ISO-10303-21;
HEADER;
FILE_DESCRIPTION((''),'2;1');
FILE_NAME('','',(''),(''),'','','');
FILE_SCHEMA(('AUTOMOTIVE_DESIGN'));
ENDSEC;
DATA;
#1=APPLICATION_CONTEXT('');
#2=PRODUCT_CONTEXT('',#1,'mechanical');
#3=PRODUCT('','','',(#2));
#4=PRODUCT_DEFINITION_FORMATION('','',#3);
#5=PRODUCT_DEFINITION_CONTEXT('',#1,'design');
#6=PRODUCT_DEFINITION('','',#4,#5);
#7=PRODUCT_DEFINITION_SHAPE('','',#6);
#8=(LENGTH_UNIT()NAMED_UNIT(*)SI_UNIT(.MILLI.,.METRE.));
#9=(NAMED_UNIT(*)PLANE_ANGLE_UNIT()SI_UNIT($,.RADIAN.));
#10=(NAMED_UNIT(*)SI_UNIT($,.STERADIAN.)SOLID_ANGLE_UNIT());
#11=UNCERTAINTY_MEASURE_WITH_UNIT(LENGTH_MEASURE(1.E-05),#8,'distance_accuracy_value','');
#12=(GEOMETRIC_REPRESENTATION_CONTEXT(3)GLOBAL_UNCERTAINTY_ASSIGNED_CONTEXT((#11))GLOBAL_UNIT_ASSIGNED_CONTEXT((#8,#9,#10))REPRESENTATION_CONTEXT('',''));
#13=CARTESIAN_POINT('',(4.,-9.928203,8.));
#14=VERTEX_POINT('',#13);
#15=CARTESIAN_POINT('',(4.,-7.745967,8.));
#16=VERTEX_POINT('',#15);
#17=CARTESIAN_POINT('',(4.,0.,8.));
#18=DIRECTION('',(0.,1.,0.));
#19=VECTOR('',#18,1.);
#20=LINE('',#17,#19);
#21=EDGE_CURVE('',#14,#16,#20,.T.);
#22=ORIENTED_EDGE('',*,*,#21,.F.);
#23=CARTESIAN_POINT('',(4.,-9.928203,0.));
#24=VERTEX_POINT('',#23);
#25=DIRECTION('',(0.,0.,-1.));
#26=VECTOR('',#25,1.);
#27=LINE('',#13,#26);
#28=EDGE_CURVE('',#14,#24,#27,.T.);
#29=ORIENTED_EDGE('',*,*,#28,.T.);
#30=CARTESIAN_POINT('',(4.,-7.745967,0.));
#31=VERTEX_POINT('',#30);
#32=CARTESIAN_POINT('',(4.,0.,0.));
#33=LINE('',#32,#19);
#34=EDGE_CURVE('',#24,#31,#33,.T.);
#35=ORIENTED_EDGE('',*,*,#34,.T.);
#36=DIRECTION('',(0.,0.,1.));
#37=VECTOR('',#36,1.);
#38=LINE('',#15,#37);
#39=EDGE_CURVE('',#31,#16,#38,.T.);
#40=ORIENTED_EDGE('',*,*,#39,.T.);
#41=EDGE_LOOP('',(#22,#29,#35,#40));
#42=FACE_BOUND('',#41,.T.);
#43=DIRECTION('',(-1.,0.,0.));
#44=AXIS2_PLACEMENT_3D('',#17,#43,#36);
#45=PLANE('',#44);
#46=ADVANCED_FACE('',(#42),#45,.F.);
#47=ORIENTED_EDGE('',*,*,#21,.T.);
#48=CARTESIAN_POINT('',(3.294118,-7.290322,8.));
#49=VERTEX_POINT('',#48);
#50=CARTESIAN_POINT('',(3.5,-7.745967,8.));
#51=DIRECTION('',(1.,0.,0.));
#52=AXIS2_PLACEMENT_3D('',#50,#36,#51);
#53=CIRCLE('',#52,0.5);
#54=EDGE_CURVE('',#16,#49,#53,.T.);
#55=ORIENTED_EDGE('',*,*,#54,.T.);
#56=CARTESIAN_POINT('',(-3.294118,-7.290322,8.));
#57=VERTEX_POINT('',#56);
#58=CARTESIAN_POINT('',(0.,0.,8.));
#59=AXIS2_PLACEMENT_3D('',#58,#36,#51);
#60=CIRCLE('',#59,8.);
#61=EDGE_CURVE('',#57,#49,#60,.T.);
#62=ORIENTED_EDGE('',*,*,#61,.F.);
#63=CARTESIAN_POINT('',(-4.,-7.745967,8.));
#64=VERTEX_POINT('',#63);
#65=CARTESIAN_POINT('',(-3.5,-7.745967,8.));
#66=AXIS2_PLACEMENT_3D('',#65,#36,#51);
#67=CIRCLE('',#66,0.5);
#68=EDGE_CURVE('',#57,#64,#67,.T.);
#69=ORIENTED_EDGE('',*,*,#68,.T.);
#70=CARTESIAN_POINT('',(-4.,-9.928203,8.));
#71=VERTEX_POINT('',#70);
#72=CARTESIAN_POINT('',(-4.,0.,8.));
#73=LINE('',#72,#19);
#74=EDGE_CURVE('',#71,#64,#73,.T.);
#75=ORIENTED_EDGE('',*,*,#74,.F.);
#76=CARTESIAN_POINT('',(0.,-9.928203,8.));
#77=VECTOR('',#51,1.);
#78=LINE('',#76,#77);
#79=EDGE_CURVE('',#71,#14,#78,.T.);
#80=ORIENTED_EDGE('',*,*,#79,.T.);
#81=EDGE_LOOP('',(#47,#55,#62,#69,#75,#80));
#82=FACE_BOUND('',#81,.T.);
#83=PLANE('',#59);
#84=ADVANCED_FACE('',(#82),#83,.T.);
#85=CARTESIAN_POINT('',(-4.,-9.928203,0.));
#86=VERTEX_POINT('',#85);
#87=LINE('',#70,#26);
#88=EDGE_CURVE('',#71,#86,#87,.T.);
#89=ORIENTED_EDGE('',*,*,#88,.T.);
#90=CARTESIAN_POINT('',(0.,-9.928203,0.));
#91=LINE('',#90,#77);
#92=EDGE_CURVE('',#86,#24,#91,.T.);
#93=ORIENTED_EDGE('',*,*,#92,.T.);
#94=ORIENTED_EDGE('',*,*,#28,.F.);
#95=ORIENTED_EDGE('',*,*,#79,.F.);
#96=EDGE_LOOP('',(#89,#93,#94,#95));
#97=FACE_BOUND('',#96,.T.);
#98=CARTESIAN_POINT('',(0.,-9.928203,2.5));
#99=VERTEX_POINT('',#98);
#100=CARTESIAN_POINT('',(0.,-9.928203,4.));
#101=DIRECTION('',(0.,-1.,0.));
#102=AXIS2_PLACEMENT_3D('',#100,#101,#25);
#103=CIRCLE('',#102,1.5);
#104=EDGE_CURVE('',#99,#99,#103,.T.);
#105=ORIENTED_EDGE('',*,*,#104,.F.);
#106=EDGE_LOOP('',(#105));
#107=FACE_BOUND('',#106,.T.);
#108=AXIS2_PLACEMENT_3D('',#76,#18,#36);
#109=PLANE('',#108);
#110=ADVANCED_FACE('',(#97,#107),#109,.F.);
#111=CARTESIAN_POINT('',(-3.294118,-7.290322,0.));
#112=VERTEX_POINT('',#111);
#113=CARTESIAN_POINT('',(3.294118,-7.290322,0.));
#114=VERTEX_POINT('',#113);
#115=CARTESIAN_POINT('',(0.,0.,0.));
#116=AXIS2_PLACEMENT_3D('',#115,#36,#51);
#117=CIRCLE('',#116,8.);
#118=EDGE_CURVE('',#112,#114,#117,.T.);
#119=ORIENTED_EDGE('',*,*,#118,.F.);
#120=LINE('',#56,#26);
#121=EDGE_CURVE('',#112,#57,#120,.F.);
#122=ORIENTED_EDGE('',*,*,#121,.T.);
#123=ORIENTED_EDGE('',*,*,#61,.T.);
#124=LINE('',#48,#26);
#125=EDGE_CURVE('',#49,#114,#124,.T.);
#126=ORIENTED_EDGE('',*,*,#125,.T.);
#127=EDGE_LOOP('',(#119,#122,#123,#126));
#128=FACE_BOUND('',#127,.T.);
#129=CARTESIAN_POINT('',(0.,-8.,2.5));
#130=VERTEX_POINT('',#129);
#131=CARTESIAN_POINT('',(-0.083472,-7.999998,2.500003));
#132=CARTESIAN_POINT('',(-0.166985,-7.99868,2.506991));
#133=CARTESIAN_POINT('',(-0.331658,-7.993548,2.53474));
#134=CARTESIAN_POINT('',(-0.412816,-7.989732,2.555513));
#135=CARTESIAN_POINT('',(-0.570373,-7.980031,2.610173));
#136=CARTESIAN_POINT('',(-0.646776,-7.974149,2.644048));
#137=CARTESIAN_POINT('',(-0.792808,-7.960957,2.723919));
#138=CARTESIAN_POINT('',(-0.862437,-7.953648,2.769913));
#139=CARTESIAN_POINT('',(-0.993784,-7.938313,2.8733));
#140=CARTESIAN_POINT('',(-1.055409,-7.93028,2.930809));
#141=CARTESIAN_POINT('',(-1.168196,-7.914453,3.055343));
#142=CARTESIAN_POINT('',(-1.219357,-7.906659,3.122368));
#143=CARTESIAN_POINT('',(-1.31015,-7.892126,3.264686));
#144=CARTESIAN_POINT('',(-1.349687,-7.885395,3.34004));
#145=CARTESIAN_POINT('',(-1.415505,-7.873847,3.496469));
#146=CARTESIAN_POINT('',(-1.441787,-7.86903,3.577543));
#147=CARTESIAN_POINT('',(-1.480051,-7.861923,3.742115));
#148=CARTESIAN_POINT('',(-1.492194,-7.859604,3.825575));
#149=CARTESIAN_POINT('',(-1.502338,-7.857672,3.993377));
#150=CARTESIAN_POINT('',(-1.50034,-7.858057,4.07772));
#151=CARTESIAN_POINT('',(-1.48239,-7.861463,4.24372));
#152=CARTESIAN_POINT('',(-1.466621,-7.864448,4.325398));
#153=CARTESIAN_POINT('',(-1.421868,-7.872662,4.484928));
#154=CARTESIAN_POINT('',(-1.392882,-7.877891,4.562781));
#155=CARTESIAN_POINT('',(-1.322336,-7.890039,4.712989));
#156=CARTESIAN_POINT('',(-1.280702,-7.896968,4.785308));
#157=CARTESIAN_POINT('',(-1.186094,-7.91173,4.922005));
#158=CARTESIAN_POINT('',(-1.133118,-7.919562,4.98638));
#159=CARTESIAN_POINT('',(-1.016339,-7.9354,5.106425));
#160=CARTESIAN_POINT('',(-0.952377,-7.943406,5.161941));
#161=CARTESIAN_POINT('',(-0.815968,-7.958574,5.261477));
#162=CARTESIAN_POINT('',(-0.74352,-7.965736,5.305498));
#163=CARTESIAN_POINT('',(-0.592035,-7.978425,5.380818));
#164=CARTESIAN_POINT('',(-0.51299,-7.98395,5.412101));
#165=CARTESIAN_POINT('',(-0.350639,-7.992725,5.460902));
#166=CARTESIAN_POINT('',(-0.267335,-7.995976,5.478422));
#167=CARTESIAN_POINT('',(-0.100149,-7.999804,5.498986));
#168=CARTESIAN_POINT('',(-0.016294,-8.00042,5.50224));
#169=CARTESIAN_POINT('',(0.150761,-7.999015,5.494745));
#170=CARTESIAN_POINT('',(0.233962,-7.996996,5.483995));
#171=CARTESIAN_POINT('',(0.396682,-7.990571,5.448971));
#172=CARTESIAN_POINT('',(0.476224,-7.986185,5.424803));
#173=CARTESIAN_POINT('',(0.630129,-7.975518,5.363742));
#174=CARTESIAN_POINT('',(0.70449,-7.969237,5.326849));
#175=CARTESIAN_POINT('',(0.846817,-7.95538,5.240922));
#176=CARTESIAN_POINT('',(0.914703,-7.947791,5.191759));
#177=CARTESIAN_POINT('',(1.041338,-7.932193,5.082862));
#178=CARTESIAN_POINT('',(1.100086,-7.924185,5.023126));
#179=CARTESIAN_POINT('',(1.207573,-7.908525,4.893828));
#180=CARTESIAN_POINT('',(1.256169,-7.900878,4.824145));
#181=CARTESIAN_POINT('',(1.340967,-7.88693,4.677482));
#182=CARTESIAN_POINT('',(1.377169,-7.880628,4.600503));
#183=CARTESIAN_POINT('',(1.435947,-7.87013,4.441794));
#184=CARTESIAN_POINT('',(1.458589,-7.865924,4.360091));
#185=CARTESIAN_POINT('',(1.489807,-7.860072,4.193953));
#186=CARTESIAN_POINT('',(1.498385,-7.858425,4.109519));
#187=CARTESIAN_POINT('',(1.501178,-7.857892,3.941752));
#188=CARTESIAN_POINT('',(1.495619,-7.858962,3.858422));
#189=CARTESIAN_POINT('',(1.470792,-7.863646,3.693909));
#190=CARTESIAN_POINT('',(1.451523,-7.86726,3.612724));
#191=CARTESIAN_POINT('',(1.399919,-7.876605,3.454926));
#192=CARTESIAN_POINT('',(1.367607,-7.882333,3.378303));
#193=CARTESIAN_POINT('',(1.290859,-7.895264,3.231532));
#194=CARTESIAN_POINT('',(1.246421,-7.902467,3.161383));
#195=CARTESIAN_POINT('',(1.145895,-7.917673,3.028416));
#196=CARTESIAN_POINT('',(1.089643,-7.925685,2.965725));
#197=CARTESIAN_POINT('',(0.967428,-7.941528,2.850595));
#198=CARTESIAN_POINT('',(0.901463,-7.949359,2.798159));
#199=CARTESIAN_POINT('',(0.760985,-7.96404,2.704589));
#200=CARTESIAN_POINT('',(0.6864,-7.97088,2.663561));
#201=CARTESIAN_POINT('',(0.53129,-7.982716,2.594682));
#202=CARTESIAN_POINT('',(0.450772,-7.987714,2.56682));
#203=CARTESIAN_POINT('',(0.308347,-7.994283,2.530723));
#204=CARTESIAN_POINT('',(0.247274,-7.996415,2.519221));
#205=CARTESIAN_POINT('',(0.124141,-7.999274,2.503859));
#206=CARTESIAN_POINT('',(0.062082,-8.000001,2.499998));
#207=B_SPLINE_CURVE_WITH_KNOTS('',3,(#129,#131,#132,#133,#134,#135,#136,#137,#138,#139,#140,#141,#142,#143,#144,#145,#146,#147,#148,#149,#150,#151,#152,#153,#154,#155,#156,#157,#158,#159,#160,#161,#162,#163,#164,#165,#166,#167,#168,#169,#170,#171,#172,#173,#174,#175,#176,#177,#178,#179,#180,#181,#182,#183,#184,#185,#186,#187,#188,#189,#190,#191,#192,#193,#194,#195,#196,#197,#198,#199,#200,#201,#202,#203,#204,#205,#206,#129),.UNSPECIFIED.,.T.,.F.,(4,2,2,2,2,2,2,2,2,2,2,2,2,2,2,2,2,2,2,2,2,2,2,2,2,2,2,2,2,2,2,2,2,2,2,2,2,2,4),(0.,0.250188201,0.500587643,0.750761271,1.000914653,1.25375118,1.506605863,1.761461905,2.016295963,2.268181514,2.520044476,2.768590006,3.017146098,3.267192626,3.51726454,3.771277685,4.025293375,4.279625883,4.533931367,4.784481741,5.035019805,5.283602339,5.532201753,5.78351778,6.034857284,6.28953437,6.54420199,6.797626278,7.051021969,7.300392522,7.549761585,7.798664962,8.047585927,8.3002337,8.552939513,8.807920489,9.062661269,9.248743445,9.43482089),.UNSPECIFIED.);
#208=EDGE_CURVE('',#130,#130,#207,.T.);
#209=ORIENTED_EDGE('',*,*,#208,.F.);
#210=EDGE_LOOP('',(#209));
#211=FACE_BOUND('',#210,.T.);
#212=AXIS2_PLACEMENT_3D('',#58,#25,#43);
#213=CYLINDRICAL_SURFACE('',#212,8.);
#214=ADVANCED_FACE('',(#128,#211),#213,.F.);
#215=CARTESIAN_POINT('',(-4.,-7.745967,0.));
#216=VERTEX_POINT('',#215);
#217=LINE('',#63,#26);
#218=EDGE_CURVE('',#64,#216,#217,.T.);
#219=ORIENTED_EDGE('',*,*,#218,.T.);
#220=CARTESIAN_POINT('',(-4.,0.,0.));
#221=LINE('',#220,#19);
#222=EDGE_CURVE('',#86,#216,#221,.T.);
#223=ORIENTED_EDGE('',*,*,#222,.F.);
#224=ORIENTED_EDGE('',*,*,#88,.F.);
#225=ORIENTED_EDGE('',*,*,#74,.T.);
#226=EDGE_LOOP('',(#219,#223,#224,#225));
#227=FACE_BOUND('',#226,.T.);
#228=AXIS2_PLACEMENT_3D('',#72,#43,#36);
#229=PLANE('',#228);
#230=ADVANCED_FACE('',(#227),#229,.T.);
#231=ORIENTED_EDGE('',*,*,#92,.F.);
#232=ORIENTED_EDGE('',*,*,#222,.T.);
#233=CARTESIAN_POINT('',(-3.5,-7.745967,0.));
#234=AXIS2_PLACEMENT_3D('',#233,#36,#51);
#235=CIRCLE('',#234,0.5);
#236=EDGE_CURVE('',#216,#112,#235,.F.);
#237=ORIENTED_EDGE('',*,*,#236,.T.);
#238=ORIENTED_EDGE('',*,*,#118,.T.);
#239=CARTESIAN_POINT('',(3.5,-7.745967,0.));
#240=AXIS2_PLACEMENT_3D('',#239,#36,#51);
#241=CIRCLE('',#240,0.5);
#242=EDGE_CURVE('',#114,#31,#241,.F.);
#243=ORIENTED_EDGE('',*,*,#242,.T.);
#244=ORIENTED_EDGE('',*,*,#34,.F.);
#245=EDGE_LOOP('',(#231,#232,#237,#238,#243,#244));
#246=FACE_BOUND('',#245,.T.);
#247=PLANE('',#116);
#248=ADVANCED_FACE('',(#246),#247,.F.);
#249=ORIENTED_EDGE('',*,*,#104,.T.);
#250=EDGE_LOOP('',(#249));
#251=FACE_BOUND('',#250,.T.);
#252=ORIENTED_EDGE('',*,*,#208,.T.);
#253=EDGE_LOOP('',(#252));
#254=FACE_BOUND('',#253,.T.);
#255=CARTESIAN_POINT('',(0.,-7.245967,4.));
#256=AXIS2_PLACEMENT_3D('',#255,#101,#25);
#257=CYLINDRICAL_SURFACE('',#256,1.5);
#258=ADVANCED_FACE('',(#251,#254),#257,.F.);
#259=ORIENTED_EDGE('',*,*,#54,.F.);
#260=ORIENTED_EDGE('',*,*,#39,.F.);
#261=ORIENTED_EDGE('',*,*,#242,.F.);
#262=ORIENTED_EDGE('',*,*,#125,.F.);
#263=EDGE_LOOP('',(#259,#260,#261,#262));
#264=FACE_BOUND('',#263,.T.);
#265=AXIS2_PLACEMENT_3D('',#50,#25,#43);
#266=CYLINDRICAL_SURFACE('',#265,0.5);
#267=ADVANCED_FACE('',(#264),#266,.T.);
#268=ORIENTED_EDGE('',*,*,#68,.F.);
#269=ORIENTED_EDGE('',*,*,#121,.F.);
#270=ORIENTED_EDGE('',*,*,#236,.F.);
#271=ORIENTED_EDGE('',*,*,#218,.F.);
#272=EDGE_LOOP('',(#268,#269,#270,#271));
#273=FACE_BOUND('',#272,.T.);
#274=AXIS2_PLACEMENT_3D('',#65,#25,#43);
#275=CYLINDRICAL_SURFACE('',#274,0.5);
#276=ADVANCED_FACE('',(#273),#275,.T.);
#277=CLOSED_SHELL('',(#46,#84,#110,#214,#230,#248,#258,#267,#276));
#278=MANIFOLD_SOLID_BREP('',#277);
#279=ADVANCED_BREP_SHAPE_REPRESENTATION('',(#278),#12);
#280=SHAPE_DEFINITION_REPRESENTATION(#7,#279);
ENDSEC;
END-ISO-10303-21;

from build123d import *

# Parameters (mm, degrees)
BOSS_EXTRUDE1_DEPTH = 8
FILLET1_R           = 0.5
SKETCH2_R           = 1.5
CUT_EXTRUDE1_DEPTH  = 3.682236538


with BuildPart() as part:
    # Sketch1 → Boss-Extrude1 (new body)
    with BuildSketch(Plane.XY):
        with BuildLine():
            Line((-4, -6.92820323), (-4, -9.92820323))
            Line((-4, -9.92820323), (4, -9.92820323))
            Line((4, -9.92820323), (4, -6.92820323))
            ThreePointArc((4, -6.92820323), (0, -8), (-4, -6.92820323))
        make_face()
    extrude(amount=BOSS_EXTRUDE1_DEPTH)

    # Fillet1
    fillet1_edges = [part.edges().sort_by_distance(p)[0] for p in [
        (4, -6.92820323, 4),
        (-4, -6.92820323, 4),
    ]]
    fillet(fillet1_edges, radius=FILLET1_R)

    # Sketch2 → Cut-Extrude1 (cut, through all)
    with BuildSketch(Plane.XZ.offset(9.92820323)):
        with Locations((0, 4)):
            Circle(SKETCH2_R)
    extrude(amount=-CUT_EXTRUDE1_DEPTH, mode=Mode.SUBTRACT)


solid = part.part
